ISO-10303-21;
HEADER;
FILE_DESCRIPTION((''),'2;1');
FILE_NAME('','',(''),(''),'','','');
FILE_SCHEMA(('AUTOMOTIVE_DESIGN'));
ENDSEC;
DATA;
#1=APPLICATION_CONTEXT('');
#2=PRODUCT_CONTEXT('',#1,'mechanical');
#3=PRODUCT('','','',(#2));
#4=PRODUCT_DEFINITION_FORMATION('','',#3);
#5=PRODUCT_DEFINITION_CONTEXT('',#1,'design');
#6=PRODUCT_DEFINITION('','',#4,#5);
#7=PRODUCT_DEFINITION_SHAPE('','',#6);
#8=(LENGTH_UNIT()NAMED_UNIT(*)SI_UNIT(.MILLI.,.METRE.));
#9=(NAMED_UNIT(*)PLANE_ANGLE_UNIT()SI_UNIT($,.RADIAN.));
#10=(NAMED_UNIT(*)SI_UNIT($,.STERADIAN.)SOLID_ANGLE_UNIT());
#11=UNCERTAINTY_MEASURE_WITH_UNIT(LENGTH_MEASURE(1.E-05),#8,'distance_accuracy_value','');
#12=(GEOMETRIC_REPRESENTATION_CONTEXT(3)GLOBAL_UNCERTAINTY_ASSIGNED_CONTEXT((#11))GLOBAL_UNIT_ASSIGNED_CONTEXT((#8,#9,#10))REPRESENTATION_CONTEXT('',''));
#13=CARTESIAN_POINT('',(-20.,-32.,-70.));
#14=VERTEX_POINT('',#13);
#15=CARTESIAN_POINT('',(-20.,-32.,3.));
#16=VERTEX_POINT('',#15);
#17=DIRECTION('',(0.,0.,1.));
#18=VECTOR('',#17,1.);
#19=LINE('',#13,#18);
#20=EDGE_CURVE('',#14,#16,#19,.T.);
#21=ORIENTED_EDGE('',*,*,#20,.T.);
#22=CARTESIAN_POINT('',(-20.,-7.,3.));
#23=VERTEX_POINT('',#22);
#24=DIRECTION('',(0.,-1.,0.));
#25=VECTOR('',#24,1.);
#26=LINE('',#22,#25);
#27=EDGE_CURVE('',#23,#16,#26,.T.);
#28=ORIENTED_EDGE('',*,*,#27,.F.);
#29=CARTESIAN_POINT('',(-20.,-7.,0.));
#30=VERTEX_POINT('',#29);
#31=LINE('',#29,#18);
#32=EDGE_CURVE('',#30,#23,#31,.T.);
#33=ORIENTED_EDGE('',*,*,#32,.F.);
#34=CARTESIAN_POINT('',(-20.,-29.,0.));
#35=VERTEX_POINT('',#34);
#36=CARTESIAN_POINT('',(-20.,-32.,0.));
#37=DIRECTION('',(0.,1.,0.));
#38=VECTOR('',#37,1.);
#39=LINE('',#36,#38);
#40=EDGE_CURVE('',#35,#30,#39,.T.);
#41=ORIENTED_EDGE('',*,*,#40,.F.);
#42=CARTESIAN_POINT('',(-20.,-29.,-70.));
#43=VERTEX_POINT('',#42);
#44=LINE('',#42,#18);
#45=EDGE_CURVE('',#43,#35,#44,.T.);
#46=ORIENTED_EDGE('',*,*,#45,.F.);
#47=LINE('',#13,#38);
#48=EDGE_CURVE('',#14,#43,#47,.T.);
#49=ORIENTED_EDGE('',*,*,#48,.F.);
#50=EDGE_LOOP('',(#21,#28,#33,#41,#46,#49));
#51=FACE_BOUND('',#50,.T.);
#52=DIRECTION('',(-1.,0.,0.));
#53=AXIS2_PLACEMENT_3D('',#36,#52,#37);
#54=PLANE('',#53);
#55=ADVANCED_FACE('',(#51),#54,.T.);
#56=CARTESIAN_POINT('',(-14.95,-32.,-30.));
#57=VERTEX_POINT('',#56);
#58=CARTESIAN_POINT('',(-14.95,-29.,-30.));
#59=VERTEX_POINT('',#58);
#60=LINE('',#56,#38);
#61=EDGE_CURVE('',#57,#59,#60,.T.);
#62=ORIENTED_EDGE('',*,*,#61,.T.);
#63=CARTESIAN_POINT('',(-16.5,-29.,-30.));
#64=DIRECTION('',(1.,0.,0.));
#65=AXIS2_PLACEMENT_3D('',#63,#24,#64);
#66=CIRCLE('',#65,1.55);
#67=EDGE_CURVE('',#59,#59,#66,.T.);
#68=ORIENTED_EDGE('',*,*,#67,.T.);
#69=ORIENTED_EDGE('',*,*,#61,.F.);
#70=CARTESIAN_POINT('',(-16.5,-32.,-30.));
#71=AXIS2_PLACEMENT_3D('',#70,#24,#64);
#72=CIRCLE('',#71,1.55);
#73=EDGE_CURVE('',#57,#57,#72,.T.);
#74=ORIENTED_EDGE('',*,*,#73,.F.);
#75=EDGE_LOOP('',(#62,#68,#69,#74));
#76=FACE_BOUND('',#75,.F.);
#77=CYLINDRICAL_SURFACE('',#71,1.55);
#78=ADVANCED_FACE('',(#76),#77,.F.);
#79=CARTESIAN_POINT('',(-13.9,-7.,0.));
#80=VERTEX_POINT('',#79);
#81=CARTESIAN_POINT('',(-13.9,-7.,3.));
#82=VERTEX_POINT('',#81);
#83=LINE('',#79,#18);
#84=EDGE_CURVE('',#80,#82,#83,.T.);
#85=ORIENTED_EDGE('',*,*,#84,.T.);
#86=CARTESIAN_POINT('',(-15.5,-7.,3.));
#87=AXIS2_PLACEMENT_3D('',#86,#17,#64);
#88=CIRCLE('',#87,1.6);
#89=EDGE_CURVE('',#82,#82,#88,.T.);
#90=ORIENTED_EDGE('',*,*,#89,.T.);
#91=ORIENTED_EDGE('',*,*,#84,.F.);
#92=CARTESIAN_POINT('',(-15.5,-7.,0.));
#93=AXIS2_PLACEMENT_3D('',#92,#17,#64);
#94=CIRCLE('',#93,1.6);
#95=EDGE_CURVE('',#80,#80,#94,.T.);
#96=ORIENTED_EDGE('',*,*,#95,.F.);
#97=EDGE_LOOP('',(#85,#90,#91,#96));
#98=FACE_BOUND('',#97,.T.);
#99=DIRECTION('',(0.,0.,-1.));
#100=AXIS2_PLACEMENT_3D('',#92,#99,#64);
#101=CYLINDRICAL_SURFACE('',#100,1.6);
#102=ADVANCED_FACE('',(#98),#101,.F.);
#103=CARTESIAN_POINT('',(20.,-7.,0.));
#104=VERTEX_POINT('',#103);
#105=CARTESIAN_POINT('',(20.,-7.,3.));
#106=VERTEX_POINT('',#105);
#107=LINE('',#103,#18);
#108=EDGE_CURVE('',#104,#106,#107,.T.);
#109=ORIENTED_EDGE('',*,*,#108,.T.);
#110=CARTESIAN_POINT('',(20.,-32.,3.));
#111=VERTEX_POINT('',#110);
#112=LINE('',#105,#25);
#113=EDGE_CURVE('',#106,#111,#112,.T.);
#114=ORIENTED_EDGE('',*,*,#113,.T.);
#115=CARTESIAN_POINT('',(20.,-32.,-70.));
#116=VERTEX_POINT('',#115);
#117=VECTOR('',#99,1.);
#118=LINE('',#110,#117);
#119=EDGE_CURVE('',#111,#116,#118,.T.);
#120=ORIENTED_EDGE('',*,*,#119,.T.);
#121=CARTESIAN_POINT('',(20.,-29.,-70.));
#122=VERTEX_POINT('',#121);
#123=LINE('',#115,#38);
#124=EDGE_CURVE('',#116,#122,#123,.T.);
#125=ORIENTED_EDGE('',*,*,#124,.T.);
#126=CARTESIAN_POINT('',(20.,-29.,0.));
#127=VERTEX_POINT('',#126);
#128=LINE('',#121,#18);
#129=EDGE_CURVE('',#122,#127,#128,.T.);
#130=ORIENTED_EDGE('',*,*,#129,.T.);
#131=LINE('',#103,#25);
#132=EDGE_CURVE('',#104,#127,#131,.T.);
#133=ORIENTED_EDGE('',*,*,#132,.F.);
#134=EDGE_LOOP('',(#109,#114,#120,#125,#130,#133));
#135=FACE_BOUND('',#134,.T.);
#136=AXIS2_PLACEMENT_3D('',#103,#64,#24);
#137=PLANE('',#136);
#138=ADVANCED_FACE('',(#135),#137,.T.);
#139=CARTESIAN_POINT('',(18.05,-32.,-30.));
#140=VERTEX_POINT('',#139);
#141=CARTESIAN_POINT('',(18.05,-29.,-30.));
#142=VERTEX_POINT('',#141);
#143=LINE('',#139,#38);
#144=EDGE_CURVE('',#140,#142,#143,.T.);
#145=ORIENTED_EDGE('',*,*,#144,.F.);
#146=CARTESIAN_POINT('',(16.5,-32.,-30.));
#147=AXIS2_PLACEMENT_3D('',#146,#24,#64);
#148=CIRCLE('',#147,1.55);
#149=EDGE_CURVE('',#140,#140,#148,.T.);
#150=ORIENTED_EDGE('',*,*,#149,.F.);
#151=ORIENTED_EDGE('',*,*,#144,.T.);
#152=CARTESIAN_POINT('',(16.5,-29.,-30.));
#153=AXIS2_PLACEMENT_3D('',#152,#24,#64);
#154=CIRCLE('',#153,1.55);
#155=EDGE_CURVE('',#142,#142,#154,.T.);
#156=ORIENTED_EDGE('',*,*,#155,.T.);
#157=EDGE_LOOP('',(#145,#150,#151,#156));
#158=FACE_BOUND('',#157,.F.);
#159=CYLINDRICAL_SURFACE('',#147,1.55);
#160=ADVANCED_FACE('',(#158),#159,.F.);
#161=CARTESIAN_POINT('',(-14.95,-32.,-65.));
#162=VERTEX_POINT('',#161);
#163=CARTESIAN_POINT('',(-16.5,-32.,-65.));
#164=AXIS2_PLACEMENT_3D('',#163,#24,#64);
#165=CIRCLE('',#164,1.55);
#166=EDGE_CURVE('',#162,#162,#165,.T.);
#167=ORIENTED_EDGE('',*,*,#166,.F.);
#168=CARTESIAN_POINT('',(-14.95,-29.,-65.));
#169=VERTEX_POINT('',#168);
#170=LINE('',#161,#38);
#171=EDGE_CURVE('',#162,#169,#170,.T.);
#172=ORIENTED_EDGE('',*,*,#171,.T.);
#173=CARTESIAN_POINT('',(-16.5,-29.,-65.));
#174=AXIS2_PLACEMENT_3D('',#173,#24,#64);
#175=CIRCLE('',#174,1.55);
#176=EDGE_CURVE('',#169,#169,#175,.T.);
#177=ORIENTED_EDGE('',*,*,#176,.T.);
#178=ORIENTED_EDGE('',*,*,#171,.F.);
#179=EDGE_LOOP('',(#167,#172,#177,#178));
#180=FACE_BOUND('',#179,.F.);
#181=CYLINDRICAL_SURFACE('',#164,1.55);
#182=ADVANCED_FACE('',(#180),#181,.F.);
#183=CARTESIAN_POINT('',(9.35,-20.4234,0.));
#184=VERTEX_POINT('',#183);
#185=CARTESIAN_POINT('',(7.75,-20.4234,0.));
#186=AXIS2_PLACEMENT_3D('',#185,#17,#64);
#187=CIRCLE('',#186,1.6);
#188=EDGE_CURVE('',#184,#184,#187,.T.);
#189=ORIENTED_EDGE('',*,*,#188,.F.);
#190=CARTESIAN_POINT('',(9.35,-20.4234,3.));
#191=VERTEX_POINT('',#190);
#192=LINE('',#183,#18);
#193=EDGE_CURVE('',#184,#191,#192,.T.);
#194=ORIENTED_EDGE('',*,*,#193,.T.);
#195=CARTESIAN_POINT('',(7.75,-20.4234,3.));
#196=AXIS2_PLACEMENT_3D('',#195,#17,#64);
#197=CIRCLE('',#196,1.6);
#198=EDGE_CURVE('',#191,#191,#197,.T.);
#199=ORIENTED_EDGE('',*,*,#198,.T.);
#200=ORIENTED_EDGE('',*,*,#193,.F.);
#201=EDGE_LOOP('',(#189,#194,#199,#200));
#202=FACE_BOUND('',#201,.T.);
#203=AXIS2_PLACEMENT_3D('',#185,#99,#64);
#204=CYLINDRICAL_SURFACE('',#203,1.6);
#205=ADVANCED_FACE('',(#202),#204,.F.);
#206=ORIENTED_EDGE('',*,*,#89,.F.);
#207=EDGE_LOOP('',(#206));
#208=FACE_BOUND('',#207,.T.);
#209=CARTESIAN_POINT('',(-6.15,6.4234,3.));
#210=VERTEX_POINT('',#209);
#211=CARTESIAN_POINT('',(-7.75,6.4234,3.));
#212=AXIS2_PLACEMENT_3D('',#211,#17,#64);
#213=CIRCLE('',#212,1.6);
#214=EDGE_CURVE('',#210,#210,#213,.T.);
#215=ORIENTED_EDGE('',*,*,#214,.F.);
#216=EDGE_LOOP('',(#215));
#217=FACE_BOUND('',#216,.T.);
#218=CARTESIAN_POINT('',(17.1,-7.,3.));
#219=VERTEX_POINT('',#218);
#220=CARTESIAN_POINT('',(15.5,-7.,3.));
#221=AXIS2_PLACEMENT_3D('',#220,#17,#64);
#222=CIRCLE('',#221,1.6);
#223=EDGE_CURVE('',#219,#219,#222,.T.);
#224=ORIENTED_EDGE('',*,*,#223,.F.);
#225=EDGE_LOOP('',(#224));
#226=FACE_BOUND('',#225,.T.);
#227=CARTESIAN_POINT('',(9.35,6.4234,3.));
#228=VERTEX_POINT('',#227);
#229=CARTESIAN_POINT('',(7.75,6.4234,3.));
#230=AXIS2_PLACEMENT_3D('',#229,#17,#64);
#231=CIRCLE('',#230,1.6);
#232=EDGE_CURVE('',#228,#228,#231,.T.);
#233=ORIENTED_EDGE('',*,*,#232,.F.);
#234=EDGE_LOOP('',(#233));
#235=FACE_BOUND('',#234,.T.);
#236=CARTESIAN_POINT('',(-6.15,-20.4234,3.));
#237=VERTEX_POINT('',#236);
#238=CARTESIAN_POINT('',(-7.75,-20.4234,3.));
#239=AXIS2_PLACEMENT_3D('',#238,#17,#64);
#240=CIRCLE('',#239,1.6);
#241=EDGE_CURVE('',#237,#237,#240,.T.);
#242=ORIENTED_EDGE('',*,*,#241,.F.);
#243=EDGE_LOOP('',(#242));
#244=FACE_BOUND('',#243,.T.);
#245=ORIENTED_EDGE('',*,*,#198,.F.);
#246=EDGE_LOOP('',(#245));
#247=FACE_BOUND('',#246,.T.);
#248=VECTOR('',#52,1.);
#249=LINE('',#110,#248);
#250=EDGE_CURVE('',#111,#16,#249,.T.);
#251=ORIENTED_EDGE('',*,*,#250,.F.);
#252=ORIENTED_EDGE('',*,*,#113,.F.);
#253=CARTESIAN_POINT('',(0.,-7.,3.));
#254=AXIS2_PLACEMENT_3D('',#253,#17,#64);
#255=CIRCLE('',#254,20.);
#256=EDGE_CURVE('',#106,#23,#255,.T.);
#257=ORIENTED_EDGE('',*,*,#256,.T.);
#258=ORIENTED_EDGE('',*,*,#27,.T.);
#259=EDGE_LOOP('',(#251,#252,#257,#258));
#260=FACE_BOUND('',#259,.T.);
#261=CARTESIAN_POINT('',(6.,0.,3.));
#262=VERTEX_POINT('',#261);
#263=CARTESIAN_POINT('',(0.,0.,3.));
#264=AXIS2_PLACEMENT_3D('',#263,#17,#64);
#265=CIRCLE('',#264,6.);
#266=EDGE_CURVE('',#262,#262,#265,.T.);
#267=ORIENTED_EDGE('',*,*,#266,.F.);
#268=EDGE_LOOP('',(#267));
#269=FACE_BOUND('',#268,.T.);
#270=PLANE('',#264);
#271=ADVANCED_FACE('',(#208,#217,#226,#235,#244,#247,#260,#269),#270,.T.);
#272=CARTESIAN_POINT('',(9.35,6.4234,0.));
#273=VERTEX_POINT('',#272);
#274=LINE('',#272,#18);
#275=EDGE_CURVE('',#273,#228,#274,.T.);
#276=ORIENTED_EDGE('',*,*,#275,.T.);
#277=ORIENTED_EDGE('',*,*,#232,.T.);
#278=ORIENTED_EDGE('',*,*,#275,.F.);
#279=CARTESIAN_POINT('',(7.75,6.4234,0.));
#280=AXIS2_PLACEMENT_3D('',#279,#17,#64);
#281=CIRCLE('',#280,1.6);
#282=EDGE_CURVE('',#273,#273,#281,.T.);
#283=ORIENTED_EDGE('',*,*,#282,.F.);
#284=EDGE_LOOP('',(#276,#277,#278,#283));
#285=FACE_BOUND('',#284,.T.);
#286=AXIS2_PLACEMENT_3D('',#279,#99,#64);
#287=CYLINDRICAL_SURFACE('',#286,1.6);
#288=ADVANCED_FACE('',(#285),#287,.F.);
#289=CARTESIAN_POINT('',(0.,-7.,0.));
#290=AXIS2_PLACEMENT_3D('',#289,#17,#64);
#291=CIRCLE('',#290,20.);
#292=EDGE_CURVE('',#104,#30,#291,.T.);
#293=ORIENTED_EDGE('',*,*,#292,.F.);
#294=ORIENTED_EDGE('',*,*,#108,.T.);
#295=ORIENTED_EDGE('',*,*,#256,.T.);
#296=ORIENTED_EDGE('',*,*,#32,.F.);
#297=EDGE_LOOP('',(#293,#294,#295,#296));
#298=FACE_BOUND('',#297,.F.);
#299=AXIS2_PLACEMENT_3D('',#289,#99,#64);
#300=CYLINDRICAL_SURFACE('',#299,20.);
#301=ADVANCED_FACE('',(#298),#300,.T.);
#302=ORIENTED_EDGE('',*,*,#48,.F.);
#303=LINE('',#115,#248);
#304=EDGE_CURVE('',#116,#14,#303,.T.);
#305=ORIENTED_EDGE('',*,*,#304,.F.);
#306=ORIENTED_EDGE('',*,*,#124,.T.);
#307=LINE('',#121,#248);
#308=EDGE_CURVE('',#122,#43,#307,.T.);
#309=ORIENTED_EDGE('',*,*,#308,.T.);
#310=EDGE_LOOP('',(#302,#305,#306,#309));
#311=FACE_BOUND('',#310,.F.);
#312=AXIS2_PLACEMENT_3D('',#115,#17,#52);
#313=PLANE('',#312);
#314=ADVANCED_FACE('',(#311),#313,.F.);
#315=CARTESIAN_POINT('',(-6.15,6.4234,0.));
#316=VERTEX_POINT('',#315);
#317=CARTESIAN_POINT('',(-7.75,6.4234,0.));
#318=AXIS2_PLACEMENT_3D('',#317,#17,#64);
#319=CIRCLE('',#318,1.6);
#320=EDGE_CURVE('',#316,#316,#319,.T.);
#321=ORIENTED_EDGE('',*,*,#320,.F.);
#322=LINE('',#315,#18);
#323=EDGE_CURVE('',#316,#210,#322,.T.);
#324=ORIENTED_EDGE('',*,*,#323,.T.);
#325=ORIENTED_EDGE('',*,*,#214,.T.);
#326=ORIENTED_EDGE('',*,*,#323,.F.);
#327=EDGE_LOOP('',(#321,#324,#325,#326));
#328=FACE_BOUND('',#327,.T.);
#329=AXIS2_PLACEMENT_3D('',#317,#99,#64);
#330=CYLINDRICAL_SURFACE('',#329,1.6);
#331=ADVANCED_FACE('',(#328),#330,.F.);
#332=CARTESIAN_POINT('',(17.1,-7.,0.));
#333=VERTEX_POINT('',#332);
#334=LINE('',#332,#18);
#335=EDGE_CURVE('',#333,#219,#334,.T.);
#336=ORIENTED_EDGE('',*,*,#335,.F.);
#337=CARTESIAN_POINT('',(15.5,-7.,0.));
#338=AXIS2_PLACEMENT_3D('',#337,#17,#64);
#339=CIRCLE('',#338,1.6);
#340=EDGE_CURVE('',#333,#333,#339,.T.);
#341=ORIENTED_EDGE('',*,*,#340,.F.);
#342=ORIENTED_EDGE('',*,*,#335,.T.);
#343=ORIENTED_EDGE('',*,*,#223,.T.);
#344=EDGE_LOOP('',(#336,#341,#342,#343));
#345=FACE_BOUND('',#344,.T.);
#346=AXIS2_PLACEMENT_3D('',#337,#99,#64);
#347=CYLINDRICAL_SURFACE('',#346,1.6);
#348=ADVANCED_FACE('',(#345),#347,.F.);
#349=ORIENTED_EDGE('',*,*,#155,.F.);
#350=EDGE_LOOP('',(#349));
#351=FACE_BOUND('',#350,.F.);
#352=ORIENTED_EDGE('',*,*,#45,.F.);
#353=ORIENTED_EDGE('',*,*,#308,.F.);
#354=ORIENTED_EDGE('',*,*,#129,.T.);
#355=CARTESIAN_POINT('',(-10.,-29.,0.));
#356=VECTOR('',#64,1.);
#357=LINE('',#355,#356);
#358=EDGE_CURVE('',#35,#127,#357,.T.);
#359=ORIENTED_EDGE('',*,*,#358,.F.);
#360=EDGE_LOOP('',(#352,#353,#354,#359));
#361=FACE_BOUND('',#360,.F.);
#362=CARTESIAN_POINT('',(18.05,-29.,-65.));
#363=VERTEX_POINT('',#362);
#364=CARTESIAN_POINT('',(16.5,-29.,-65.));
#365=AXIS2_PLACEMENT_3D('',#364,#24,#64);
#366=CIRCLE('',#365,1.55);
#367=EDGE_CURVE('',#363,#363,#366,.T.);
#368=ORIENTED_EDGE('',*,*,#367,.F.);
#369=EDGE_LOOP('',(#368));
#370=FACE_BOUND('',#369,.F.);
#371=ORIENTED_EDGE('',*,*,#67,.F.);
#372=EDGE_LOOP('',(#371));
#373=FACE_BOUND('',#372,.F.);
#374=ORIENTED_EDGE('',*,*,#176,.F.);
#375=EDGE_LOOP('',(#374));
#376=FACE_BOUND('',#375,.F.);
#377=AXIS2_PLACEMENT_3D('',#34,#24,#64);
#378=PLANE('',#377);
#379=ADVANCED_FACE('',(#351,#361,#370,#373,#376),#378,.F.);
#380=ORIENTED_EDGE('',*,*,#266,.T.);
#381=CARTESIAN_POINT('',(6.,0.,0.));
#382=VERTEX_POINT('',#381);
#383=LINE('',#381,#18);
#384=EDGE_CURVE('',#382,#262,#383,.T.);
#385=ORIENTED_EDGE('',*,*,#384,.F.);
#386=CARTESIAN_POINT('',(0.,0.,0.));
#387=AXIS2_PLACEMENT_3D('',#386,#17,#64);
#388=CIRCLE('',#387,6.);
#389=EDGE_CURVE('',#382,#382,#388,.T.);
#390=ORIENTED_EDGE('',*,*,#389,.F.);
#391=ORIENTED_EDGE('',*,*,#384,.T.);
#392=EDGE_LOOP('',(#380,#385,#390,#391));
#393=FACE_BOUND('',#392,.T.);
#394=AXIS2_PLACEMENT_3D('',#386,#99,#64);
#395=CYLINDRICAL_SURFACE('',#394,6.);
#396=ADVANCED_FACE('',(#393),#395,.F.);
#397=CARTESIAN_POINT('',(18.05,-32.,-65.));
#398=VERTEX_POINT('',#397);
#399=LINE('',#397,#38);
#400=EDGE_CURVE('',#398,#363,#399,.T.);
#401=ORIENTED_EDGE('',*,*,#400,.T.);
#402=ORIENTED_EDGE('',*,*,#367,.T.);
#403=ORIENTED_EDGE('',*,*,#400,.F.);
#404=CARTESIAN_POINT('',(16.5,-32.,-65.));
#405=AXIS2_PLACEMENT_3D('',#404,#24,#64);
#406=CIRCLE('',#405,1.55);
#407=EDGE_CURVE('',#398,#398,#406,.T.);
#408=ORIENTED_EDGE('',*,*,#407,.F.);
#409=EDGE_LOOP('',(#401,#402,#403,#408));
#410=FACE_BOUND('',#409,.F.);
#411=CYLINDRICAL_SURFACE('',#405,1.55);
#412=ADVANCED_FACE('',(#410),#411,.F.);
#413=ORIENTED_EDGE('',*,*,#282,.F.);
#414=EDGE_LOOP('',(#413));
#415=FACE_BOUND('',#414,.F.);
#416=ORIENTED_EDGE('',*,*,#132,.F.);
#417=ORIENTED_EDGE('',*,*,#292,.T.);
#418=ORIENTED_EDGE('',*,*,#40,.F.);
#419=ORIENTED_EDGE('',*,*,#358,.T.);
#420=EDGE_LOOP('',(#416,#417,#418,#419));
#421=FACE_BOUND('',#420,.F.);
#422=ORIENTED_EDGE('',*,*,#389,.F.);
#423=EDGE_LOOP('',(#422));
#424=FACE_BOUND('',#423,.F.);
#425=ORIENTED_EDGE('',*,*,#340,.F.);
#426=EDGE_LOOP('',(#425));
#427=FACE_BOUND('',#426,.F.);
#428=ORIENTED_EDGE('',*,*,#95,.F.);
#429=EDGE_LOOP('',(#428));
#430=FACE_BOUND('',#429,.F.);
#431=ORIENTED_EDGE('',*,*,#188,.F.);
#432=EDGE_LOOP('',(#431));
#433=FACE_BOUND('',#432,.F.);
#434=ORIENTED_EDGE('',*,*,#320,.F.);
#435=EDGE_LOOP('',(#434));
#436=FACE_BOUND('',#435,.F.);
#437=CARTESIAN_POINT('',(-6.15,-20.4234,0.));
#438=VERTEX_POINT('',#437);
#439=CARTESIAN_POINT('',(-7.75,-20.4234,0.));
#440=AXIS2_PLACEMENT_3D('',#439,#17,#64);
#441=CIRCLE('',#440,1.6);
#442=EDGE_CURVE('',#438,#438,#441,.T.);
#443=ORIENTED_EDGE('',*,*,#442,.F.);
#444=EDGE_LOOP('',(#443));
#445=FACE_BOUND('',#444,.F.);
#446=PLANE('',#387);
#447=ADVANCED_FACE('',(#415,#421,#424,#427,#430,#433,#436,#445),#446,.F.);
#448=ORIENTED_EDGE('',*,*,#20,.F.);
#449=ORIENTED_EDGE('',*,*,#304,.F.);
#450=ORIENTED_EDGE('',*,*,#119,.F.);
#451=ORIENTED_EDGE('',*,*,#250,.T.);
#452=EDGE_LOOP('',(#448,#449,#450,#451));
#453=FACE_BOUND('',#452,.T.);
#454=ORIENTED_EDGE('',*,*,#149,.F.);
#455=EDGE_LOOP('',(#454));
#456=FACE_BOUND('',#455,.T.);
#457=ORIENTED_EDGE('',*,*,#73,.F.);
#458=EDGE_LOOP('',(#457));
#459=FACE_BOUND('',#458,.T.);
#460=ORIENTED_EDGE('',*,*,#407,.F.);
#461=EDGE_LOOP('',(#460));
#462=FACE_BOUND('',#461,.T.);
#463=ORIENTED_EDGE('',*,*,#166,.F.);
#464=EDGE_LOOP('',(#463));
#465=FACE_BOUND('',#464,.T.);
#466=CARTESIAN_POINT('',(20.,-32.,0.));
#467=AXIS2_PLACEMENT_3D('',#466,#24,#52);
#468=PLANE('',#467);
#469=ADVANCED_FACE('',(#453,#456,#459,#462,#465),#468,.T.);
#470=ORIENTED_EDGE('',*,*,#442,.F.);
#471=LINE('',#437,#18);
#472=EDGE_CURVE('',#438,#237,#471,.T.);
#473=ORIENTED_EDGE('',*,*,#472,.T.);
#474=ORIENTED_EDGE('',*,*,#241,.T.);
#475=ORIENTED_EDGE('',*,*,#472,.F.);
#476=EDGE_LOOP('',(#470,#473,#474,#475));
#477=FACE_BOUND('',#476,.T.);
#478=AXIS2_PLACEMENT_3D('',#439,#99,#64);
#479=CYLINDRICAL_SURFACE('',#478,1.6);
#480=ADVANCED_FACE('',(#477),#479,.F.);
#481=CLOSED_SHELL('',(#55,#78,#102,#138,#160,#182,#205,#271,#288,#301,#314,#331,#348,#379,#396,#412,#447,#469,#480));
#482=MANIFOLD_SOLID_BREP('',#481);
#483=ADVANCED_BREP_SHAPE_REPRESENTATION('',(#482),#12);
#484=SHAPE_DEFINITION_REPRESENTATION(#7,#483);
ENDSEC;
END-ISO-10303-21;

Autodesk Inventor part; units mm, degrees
ref_plane "YZ Plane" through (0, 0, 0) normal (1, 0, 0) x (0, 1, 0)
ref_plane "XZ Plane" through (0, 0, 0) normal (0, 1, 0) x (-1, 0, 0)
ref_plane "XY Plane" through (0, 0, 0) normal (0, 0, 1) x (1, 0, 0)
sketch "Sketch1" plane through (0, 0, 0) normal (0, 0, 1) x (1, 0, 0)
  circle A0 centre (15.5, -7) radius 1.6
  circle A1 centre (7.75, -20.4234) radius 1.6
  circle A2 centre (-7.75, -20.4234) radius 1.6
  circle A3 centre (-15.5, -7) radius 1.6
  circle A4 centre (7.75, 6.4234) radius 1.6
  circle A5 centre (-7.75, 6.4234) radius 1.6
  circle A6 centre (0, 0) radius 6
  arc A7 (20, -7) -> (-20, -7) centre (0, -7) ccw
  line L0 (20, -7) -> (20, -32)
  line L1 (20, -32) -> (-20, -32)
  line L2 (-20, -32) -> (-20, -7)
  dimension "d0" = 40
  dimension "d1" = 25
extrude "Extrusion1" add sketch "Sketch1" along normal blind 3
sketch "Sketch2" plane through (-20, -32, 0) normal (0, -1, 0) x (1, 0, 0)
  line L0 (0, 0) -> (0, 3) projected
  line L1 (0, 3) -> (40, 3)
  line L2 (40, 3) -> (40, -70)
  line L3 (40, -70) -> (0, -70)
  line L4 (0, -70) -> (0, 3)
  line L5 (0, -70) -> (40, -70)
  line L6 (40, -70) -> (40, -25)
  line L7 (40, -25) -> (0, -25) construction
  line L8 (0, -25) -> (0, -70)
  line L9 (40, -25) -> (0, -70) construction
  line L10 (36.5, -30) -> (3.5, -30) construction
  line L11 (3.5, -30) -> (3.5, -65) construction
  line L12 (3.5, -65) -> (36.5, -65) construction
  line L13 (36.5, -65) -> (36.5, -30) construction
  line L14 (36.5, -30) -> (3.5, -65) construction
  line L15 (3.5, -30) -> (36.5, -65) construction
  circle A0 centre (36.5, -30) radius 1.55
  circle A1 centre (36.5, -65) radius 1.55
  circle A2 centre (3.5, -30) radius 1.55
  circle A3 centre (3.5, -65) radius 1.55
  point P0 (20, 0)
  point P1 (20, -47.5)
  dimension "d4" = 73
  dimension "d5" = 45
  dimension "d6" = 33
  dimension "d7" = 35
  dimension "d8" = 3.1
  dimension "d11" = 35
  dimension "d14" = 33
extrude "Extrusion2" add sketch "Sketch2" against normal blind 3
properties part number "Push_motor_fix"
